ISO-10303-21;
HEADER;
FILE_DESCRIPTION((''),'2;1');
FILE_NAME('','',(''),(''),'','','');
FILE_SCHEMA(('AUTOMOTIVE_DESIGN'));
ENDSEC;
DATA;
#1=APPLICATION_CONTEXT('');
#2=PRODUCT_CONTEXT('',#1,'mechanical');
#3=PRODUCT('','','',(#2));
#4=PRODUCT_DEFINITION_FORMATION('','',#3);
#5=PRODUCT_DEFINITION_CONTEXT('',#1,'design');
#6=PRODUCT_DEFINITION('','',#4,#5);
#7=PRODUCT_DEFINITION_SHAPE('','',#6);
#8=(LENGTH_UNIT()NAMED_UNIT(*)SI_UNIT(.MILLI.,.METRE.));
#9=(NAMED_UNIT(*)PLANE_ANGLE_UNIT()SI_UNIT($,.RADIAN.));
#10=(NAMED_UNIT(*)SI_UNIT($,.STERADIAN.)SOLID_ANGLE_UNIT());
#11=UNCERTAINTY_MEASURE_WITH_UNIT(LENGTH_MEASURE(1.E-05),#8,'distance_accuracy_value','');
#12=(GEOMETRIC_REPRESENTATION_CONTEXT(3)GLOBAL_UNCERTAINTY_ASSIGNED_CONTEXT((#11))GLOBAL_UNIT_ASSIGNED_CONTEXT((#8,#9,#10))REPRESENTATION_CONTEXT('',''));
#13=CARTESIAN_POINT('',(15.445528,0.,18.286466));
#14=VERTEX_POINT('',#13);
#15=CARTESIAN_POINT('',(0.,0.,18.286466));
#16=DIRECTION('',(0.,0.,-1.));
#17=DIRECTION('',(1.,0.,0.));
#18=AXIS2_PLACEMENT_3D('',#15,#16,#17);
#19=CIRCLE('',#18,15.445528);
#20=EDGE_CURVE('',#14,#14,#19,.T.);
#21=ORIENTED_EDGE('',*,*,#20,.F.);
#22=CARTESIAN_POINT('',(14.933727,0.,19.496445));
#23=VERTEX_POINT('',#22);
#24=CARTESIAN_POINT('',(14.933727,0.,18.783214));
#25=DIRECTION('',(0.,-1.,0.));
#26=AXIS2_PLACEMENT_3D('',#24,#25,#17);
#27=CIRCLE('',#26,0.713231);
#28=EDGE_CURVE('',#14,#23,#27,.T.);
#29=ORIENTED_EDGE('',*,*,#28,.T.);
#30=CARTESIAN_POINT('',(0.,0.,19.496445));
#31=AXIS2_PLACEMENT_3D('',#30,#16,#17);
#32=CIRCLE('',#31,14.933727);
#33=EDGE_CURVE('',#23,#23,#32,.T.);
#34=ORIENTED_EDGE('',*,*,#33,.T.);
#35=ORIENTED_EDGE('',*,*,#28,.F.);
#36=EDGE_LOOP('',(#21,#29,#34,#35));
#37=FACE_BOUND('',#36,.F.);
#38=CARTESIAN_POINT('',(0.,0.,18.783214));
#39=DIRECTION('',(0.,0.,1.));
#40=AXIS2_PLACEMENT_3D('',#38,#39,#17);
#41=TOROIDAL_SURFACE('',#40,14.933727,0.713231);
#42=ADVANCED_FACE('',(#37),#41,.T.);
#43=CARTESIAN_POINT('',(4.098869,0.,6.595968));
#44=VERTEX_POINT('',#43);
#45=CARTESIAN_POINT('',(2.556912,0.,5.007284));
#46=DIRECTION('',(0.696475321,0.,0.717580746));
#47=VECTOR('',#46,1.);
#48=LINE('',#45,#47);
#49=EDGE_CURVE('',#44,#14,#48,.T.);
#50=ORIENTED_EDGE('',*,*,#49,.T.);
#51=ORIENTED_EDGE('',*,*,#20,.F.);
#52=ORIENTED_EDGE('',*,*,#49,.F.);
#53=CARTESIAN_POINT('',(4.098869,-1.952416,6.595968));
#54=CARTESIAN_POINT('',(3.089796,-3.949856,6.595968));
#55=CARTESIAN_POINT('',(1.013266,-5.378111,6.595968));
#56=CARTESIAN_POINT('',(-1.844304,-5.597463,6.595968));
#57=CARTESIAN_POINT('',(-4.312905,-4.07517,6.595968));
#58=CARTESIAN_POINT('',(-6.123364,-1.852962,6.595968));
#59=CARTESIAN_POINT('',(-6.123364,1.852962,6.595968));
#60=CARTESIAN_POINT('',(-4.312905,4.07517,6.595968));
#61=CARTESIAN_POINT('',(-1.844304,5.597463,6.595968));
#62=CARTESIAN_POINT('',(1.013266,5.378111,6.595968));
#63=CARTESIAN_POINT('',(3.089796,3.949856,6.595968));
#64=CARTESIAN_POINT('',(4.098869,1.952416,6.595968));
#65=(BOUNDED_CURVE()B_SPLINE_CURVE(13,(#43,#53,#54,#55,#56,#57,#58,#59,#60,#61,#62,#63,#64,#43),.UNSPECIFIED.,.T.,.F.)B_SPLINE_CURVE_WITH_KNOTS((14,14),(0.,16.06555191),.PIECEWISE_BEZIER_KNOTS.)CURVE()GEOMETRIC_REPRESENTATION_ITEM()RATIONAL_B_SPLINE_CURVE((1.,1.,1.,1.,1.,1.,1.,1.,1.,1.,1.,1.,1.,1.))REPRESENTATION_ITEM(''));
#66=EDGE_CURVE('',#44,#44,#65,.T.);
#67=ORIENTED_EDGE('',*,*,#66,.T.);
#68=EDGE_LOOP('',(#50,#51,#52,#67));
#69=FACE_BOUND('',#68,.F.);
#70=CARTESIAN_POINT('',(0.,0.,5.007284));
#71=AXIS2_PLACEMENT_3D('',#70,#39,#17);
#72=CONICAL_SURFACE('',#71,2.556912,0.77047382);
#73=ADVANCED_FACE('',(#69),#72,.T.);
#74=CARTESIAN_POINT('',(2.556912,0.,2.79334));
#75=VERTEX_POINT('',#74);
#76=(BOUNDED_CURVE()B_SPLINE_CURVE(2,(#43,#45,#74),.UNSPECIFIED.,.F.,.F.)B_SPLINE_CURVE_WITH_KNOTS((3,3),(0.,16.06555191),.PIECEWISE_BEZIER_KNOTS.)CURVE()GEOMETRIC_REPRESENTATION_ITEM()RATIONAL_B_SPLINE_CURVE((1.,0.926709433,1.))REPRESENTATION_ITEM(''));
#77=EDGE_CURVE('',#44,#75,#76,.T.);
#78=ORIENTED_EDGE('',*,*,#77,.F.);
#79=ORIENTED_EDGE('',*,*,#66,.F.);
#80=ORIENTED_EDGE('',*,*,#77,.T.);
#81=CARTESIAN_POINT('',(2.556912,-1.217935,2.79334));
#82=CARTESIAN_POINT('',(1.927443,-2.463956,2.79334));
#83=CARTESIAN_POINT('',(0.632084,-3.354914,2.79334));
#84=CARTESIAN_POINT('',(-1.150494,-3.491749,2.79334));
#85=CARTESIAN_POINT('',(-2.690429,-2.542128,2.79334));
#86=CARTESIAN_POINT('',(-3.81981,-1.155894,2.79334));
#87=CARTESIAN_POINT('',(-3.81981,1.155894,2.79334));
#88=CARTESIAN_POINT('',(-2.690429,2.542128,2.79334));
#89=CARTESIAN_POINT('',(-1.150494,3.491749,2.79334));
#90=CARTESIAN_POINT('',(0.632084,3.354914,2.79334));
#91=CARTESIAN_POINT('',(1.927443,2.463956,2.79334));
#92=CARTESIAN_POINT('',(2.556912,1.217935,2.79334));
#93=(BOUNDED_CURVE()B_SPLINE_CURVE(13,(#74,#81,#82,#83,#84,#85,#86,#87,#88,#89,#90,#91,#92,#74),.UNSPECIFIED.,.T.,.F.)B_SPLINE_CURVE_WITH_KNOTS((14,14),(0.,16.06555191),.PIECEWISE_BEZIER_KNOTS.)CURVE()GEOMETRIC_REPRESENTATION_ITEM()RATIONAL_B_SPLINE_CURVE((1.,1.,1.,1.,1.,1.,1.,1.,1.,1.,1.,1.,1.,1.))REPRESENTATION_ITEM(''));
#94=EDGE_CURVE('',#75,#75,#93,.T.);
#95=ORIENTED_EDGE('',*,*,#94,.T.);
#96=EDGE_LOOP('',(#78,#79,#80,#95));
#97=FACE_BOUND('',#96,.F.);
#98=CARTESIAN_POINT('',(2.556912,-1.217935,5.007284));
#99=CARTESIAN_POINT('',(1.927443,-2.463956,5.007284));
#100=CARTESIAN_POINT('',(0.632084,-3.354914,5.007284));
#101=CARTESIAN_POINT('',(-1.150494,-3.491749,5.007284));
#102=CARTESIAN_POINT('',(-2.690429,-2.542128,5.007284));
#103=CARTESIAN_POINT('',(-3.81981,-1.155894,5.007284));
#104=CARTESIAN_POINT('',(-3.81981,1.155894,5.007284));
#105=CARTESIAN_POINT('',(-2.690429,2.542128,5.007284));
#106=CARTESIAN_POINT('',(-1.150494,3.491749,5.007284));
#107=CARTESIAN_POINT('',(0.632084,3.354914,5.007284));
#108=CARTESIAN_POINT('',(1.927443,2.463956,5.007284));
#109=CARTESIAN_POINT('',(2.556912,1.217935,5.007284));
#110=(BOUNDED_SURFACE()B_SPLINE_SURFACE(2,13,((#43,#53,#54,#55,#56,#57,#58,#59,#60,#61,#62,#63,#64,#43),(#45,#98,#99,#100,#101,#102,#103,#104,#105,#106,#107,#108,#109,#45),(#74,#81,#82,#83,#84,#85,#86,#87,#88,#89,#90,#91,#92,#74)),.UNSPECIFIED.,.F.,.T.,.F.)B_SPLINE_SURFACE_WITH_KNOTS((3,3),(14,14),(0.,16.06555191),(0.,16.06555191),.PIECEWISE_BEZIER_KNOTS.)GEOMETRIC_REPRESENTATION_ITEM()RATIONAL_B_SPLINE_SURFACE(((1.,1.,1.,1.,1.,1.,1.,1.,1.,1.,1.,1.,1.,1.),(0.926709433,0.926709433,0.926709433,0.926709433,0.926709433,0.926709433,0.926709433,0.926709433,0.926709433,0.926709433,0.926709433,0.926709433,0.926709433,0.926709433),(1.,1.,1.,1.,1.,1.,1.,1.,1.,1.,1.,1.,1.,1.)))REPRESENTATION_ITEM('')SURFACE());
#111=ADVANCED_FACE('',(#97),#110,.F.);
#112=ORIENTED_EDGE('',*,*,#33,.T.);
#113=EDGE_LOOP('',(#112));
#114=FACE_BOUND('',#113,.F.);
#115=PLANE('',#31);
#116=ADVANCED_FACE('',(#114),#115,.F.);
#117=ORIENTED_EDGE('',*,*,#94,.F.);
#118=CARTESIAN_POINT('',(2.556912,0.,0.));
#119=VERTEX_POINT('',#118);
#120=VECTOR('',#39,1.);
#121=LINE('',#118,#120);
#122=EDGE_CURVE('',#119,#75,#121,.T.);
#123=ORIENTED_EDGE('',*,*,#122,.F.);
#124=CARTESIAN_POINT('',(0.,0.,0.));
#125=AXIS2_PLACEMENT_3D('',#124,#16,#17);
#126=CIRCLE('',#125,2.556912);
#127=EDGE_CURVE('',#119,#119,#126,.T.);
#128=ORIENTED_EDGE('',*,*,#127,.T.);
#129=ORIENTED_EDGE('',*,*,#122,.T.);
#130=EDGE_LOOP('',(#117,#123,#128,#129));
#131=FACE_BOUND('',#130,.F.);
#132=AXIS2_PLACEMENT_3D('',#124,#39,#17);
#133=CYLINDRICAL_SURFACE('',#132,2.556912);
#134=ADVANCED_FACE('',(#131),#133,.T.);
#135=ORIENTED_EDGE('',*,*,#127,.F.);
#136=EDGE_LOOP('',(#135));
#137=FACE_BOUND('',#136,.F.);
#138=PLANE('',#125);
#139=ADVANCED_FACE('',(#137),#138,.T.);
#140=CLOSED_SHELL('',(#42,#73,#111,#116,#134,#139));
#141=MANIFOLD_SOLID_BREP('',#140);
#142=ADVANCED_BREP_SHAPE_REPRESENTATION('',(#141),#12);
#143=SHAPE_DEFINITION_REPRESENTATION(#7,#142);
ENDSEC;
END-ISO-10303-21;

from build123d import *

# Parameters (mm, degrees)
F2_R = 0.713231
F3_R = 5.459817


with BuildPart() as f1:
    # F0 (on Front) → F1 (revolve)
    with BuildSketch(Plane.XZ):
        Polygon((0, 19.496445), (0, 0), (2.556912, 0), (2.556912, 5.007284), (16.619919, 19.496445), align=None)
    revolve(axis=Axis((0, 0, 9.748222), (0, 0, -1)))

    # F2
    f2_edges = [f1.edges().sort_by_distance(p)[0] for p in [
        (-16.619919, 0, 19.496445),
    ]]
    fillet(f2_edges, radius=F2_R)

    # F3
    f3_edges = [f1.edges().sort_by_distance(p)[0] for p in [
        (-2.556912, 0, 5.007284),
    ]]
    fillet(f3_edges, radius=F3_R)


solid = f1.part
